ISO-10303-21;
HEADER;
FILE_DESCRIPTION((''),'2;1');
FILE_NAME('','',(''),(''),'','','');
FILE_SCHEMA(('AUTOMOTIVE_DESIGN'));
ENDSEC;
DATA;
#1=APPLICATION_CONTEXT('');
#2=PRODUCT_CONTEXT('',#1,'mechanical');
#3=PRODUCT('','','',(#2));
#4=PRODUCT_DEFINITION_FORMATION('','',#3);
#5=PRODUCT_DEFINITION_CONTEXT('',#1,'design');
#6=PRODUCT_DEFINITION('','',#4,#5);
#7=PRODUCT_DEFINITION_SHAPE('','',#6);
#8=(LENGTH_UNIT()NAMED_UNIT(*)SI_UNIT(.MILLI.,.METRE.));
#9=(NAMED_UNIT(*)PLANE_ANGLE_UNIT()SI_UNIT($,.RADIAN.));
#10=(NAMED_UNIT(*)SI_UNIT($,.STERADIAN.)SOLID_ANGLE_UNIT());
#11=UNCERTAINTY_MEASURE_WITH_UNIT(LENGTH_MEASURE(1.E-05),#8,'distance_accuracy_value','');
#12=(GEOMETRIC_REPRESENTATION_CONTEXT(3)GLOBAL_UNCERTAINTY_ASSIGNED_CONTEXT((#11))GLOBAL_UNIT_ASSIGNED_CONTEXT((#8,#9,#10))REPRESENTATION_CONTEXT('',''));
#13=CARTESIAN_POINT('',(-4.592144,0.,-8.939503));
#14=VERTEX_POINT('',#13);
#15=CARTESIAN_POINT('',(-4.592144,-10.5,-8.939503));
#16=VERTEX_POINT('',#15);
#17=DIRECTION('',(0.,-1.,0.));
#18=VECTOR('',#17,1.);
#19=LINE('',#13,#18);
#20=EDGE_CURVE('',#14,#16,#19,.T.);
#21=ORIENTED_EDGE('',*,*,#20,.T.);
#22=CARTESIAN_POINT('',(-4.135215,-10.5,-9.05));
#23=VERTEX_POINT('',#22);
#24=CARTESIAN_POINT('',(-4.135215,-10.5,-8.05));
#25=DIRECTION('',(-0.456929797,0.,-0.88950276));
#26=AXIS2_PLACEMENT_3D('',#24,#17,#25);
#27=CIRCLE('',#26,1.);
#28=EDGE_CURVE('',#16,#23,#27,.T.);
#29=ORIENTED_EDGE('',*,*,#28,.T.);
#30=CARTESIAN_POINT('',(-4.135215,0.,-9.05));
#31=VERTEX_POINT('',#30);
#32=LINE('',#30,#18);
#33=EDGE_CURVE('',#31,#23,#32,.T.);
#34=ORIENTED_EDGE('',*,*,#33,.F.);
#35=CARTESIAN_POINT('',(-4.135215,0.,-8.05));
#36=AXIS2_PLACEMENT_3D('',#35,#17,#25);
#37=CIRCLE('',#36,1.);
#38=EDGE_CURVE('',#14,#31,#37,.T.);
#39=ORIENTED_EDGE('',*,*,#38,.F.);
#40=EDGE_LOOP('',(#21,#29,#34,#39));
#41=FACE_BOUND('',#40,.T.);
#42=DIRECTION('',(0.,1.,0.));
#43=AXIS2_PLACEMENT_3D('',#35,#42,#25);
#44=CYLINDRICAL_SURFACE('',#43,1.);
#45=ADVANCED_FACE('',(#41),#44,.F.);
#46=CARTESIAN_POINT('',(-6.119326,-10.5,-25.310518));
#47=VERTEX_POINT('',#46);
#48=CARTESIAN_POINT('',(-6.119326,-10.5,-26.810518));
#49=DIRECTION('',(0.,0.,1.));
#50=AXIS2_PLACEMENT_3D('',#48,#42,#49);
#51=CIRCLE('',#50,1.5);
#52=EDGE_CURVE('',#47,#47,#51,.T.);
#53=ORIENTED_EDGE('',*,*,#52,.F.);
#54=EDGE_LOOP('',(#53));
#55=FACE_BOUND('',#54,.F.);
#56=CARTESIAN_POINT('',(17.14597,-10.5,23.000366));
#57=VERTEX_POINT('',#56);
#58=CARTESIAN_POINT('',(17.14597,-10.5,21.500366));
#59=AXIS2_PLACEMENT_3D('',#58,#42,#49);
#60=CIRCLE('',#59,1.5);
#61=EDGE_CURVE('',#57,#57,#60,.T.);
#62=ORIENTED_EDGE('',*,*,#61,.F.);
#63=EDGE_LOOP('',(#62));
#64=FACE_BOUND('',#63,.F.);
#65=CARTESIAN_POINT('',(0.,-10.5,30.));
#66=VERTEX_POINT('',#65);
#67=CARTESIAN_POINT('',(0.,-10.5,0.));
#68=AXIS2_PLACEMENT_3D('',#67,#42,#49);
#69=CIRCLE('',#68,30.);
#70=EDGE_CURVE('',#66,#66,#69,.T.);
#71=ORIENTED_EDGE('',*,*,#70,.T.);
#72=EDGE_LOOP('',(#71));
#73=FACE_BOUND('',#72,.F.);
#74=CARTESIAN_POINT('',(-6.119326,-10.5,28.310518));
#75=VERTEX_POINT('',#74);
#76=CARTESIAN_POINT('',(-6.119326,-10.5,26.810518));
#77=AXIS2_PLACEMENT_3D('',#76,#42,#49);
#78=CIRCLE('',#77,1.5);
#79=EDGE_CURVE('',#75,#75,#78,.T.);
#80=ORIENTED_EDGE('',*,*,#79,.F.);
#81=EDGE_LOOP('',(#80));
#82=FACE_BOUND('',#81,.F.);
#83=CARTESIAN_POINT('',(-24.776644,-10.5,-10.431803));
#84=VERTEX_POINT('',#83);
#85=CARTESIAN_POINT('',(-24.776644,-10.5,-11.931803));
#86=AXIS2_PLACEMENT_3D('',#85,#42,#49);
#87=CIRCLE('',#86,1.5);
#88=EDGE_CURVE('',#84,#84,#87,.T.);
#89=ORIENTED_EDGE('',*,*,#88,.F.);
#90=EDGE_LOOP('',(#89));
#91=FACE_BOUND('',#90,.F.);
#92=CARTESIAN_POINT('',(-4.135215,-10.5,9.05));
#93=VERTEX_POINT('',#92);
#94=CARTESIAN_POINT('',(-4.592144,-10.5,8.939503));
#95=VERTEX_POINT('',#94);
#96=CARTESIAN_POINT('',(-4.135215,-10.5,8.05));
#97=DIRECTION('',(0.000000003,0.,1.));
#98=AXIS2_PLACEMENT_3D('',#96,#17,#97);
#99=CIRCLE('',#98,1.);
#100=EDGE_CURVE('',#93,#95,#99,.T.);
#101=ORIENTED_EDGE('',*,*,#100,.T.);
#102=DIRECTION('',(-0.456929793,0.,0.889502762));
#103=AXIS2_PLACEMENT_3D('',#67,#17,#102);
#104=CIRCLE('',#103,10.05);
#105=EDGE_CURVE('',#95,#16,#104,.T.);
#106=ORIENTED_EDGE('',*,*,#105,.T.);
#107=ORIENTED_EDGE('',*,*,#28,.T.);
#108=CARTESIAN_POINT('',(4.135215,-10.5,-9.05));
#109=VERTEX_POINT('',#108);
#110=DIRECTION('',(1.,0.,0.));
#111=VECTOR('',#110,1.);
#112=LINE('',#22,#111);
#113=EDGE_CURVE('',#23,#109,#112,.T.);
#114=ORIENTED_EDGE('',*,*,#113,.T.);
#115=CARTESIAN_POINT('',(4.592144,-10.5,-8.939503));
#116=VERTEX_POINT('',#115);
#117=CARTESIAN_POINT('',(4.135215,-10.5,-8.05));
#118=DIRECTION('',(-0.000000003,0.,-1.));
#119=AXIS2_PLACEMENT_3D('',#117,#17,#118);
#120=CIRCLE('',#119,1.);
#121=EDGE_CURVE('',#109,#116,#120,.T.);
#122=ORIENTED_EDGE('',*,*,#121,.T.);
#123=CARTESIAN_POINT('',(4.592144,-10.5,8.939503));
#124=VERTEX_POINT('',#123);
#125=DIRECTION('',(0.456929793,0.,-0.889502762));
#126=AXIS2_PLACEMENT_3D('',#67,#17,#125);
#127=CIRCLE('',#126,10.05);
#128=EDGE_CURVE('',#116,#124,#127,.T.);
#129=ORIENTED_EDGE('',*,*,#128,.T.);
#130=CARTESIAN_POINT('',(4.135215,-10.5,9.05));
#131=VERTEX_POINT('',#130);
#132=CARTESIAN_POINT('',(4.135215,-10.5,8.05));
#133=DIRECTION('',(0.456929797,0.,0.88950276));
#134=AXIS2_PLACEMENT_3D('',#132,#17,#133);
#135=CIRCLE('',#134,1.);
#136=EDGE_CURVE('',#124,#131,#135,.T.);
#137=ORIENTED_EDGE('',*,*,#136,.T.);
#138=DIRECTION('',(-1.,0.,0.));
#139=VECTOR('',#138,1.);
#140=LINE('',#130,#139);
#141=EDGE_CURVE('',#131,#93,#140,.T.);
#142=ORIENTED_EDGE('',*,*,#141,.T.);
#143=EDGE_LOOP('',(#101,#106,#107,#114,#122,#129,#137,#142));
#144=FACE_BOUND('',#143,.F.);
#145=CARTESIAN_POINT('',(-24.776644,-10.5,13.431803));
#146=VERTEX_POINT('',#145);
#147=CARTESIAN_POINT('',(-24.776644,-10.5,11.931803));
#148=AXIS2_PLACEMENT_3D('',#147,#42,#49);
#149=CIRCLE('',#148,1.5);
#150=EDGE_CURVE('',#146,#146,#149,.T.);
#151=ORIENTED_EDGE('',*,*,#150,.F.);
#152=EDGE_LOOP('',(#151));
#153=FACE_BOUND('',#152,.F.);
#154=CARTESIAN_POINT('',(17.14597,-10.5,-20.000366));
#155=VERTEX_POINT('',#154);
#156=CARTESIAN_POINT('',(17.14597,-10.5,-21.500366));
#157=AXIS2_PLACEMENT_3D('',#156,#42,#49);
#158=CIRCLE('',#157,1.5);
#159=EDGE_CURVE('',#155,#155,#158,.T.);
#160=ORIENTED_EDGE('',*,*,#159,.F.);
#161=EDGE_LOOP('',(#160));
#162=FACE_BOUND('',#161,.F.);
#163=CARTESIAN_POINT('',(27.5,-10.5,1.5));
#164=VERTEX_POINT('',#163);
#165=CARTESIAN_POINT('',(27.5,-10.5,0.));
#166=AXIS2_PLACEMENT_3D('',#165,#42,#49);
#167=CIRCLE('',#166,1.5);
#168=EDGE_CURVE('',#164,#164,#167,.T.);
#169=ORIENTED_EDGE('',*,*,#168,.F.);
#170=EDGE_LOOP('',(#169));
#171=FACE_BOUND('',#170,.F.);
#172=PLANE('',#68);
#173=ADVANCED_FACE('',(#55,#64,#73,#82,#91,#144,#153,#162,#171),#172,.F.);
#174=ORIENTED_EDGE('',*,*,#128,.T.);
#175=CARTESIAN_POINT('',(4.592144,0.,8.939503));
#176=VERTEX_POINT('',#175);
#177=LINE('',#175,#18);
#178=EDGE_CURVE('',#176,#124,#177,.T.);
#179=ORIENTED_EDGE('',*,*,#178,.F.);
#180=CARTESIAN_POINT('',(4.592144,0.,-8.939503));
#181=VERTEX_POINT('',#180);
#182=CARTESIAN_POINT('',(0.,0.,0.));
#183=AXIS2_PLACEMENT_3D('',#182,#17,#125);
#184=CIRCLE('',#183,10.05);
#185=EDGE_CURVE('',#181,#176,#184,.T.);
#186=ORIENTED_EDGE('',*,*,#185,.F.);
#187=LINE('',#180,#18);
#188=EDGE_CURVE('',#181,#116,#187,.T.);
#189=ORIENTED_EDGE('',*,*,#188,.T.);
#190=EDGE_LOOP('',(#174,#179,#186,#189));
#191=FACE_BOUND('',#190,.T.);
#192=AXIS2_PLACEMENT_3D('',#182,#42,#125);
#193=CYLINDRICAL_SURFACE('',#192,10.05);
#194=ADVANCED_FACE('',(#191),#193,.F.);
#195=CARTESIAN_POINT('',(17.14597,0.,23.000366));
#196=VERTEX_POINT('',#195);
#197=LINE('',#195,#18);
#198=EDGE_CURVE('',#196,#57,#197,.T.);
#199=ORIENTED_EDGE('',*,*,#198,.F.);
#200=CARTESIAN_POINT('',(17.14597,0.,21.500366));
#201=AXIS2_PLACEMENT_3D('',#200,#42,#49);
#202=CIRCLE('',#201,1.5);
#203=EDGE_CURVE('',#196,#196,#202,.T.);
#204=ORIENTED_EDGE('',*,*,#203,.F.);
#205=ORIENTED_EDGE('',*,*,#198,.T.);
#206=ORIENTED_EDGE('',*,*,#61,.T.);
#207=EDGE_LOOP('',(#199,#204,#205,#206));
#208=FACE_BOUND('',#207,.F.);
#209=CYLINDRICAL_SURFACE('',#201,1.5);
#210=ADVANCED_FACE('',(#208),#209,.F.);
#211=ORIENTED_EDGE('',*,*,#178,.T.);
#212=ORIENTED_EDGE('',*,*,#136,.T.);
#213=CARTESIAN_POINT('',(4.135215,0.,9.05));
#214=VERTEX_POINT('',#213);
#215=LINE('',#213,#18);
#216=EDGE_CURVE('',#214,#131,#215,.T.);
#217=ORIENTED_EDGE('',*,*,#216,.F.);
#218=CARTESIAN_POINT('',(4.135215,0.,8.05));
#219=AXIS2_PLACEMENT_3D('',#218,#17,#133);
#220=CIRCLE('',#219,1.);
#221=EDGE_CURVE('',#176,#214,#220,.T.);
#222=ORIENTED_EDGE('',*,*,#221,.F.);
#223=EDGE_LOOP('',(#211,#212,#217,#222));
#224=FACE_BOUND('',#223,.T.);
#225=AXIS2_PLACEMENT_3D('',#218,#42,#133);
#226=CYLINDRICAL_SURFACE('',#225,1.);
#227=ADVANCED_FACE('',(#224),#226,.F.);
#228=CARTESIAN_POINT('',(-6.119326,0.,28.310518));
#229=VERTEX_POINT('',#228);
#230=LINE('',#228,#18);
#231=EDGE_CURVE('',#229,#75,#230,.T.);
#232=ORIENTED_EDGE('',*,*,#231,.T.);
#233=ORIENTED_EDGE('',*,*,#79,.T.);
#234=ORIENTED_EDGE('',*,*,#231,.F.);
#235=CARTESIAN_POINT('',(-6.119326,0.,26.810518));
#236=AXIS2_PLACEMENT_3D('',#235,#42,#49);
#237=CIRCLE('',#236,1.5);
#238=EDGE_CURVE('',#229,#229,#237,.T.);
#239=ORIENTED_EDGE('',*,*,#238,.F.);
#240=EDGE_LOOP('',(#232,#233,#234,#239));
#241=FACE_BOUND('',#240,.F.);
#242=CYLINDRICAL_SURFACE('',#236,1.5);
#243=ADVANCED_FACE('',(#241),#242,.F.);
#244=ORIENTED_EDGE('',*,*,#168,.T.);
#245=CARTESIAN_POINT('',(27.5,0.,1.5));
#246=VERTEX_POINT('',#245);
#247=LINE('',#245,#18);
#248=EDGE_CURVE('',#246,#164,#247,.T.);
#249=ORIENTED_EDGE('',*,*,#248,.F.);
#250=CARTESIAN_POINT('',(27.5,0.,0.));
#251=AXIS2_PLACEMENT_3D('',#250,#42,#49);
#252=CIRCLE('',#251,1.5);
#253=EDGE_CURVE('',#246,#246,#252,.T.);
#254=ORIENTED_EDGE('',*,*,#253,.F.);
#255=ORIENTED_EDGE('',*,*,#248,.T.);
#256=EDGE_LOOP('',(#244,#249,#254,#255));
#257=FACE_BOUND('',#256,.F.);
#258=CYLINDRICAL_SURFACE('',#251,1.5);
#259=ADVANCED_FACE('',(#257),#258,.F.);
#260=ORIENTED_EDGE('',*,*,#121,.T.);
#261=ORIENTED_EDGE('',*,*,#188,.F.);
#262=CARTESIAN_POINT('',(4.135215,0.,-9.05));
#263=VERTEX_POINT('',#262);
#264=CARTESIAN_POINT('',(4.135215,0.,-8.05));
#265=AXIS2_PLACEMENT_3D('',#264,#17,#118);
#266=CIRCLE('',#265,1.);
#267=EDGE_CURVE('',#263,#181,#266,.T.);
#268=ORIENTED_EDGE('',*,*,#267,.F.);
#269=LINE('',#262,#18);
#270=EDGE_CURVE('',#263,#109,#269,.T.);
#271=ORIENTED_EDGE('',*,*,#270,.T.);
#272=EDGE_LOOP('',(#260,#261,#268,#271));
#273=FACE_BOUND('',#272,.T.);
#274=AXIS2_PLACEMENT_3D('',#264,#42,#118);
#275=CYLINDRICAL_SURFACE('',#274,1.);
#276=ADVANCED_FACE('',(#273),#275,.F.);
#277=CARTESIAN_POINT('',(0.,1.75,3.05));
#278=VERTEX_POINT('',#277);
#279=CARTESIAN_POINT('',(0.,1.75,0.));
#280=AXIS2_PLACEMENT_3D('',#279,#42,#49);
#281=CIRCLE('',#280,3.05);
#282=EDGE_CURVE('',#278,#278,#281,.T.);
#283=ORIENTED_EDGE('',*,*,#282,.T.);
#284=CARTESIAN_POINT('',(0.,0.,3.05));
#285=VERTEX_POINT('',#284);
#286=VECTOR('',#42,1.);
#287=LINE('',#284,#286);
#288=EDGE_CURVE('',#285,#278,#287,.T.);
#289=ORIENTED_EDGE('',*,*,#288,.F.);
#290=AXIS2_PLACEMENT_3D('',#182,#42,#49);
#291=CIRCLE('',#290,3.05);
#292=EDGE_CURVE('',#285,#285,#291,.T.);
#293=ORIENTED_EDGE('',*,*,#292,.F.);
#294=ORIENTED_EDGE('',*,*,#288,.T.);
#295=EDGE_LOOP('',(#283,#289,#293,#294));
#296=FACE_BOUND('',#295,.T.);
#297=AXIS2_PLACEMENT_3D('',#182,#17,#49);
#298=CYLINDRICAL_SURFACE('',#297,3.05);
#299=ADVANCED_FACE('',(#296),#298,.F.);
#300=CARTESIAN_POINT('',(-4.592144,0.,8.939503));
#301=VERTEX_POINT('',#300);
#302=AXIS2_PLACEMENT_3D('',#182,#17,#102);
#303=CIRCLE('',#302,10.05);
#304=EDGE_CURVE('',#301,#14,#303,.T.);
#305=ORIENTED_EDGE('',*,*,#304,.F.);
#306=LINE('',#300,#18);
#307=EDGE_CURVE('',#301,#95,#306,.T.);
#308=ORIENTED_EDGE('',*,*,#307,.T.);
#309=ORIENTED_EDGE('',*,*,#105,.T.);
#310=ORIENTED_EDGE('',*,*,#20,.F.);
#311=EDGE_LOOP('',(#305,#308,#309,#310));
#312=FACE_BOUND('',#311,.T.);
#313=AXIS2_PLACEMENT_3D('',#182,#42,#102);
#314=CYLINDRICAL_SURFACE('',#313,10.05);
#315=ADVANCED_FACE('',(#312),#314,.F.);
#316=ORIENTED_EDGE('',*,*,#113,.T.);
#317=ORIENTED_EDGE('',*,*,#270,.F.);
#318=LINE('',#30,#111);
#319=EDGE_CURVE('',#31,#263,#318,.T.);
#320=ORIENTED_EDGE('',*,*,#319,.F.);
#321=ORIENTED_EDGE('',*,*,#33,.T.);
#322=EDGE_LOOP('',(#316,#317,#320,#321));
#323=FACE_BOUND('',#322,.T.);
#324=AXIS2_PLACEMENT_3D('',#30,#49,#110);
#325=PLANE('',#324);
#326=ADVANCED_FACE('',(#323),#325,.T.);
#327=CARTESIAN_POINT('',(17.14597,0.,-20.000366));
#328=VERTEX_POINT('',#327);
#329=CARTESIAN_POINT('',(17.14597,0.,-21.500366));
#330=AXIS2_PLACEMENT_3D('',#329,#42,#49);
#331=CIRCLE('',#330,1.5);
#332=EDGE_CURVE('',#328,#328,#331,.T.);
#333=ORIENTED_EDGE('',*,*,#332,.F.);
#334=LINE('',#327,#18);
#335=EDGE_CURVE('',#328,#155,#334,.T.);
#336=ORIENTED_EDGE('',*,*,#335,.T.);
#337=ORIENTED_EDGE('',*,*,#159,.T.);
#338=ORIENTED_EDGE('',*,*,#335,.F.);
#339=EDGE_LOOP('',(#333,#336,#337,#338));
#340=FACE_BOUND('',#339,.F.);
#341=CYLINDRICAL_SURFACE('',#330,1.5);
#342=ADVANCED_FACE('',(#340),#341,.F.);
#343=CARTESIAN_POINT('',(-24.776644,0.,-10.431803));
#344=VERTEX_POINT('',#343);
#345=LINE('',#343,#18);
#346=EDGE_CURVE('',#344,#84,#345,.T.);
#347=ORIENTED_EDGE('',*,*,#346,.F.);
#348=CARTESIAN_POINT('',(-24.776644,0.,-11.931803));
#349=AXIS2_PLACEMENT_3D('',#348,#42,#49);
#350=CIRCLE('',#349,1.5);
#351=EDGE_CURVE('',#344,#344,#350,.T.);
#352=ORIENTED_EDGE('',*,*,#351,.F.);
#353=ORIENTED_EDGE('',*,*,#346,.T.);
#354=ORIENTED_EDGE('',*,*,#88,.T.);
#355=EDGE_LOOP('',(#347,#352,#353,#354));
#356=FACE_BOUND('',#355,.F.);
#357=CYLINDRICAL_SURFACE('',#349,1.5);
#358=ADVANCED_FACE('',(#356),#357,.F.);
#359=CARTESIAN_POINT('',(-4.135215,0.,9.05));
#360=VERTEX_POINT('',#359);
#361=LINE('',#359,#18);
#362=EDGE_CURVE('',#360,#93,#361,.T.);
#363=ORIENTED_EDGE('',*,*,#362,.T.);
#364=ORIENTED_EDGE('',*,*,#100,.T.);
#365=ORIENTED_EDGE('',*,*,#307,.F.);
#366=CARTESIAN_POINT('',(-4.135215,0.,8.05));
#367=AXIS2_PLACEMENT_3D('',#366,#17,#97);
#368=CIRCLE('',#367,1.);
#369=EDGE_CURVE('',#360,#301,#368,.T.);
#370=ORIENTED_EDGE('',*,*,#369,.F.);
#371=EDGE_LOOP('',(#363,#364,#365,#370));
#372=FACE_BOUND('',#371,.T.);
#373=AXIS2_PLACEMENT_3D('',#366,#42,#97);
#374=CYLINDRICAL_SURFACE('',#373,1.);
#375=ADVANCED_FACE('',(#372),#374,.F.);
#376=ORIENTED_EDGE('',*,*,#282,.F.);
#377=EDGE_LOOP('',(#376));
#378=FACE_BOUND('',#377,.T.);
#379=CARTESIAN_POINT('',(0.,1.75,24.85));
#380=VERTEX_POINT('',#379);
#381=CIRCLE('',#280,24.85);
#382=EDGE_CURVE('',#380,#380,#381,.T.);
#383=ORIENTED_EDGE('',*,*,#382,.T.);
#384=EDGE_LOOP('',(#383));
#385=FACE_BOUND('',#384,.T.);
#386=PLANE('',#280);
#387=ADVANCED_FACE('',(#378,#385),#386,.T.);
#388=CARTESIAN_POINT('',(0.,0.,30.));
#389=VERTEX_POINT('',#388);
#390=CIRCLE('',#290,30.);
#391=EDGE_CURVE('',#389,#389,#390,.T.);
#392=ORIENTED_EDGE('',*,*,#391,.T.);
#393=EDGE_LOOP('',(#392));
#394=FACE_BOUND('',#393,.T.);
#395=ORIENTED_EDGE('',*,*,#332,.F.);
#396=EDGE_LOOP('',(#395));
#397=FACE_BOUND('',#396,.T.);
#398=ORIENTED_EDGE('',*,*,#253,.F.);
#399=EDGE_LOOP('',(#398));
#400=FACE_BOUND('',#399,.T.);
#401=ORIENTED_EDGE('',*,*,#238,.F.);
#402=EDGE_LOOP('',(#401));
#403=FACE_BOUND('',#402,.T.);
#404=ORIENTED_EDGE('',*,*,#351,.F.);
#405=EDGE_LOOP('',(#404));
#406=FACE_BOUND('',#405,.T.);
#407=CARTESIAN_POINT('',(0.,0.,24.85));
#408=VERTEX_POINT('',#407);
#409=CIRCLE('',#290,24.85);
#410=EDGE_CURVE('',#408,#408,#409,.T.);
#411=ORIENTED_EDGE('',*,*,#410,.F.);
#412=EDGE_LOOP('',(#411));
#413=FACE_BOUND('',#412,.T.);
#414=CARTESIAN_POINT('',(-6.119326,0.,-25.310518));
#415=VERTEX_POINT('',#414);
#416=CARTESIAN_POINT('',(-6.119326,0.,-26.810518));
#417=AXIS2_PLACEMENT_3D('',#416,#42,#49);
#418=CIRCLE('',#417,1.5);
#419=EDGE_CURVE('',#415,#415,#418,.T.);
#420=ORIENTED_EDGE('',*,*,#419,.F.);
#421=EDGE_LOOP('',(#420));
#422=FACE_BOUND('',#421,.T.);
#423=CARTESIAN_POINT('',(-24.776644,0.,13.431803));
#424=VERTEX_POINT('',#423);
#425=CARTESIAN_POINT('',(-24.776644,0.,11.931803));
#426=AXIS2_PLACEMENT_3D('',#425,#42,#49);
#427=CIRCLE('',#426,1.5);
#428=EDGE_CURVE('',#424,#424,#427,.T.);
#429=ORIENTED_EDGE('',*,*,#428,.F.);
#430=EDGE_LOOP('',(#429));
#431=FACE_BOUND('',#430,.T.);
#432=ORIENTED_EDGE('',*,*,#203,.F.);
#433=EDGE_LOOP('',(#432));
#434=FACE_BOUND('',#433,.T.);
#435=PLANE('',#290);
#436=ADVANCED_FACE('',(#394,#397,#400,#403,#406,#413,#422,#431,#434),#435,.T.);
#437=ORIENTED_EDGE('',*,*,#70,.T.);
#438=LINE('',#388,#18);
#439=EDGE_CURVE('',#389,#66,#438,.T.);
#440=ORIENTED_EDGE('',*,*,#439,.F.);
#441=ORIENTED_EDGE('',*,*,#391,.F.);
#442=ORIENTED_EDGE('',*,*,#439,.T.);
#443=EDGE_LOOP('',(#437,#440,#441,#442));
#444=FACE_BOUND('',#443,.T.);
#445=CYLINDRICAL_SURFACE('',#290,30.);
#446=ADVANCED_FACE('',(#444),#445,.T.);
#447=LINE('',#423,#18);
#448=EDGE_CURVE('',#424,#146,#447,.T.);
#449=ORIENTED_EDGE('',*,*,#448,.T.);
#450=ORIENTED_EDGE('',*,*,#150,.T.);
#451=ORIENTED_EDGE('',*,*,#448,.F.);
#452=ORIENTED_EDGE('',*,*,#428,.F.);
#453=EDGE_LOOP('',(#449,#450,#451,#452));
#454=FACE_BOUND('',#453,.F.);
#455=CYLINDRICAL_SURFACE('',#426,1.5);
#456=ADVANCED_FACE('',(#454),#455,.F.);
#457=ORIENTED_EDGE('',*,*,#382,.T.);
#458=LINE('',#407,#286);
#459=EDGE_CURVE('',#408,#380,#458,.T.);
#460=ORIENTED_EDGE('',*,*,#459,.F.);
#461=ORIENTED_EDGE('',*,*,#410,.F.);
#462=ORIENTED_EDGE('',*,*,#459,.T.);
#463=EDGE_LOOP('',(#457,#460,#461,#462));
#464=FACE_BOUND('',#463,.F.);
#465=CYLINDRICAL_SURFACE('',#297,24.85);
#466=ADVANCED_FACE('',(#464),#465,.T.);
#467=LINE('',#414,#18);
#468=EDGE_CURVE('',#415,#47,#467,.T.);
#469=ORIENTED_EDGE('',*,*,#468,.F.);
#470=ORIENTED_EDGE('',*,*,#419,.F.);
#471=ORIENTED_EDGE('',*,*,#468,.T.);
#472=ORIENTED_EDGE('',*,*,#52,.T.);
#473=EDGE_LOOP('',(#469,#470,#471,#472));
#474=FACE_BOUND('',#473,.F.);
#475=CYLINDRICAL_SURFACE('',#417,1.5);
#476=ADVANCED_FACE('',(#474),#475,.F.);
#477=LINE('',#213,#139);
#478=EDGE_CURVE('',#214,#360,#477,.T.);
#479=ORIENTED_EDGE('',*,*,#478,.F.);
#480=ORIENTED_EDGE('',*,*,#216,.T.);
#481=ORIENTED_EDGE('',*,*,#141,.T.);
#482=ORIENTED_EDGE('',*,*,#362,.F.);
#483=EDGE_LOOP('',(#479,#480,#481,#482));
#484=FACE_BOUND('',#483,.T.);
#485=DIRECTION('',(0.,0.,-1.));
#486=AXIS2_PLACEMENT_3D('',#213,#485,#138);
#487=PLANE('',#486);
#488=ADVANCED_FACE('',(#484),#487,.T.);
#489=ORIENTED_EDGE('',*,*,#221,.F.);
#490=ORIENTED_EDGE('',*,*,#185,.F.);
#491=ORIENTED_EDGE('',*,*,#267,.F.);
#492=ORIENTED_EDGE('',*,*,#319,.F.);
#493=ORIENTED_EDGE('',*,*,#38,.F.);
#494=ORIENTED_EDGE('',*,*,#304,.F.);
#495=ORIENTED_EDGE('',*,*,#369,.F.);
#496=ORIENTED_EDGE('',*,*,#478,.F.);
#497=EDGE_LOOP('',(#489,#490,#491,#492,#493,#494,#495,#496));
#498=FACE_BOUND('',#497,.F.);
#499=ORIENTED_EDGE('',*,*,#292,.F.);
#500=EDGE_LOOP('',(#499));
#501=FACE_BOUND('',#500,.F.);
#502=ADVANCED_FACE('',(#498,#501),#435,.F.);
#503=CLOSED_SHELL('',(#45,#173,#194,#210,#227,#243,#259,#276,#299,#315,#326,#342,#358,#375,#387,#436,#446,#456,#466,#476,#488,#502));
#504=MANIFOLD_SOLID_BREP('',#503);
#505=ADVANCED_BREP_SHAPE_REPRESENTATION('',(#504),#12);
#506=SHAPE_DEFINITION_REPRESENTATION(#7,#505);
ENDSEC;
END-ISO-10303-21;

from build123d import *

# Parameters (mm, degrees)
CROQUIS1_R              = 24.85
CROQUIS1_R_2            = 3.05
SALIENTE_EXTRUIR1_DEPTH = 1.75
CROQUIS2_R              = 30
SALIENTE_EXTRUIR2_DEPTH = 10.5
CROQUIS3_R              = 1.5
CORTAR_EXTRUIR1_DEPTH   = 44.706406853


with BuildPart() as part:
    # Croquis1 → Saliente-Extruir1 (new body)
    with BuildSketch(Plane(origin=(0, 0, 0), x_dir=(1, 0, 0), z_dir=(0, 1, 0))):
        with Locations(Location((0, 0, 0), (0, 0, 270))):
            Circle(CROQUIS1_R)
        with Locations(Location((0, 0, 0), (0, 0, 270))):
            Circle(CROQUIS1_R_2, mode=Mode.SUBTRACT)
    extrude(amount=SALIENTE_EXTRUIR1_DEPTH)

    # Croquis2 → Saliente-Extruir2 (add)
    with BuildSketch(Plane(origin=(0, 0, 0), x_dir=(1, 0, 0), z_dir=(0, 1, 0))):
        with Locations(Location((0, 0, 0), (0, 0, 270))):
            Circle(CROQUIS2_R)
        with BuildLine():
            Line((-4.135214626, 9.05), (4.135214626, 9.05))
            ThreePointArc((4.135214626, 9.05), (4.370264873, 9.021983221), (4.592144419, 8.939502762))
            ThreePointArc((4.592144419, 8.939502762), (10.05, 0), (4.592144419, -8.939502762))
            ThreePointArc((4.592144419, -8.939502762), (4.370264873, -9.021983221), (4.135214626, -9.05))
            Line((4.135214626, -9.05), (-4.135214626, -9.05))
            ThreePointArc((-4.135214626, -9.05), (-4.370264873, -9.021983221), (-4.592144419, -8.939502762))
            ThreePointArc((-4.592144419, -8.939502762), (-10.05, 0), (-4.592144419, 8.939502762))
            ThreePointArc((-4.592144419, 8.939502762), (-4.370264873, 9.021983221), (-4.135214626, 9.05))
        make_face(mode=Mode.SUBTRACT)
    extrude(amount=-SALIENTE_EXTRUIR2_DEPTH)

    # Croquis3 → Cortar-Extruir1 (cut, through all)
    with BuildSketch(Plane(origin=(0, 0, 0), x_dir=(1, 0, 0), z_dir=(0, 1, 0))):
        with Locations(Location((27.5, 0, 0), (0, 0, 270))):
            Circle(CROQUIS3_R)
        with Locations(Location((17.145969551, -21.500365768, 0), (0, 0, 270))):
            Circle(CROQUIS3_R)
        with Locations(Location((-6.119325684, -26.810517585, 0), (0, 0, 270))):
            Circle(CROQUIS3_R)
        with Locations(Location((-24.776643867, -11.931802826, 0), (0, 0, 270))):
            Circle(CROQUIS3_R)
        with Locations(Location((-24.776643867, 11.931802826, 0), (0, 0, 270))):
            Circle(CROQUIS3_R)
        with Locations(Location((-6.119325684, 26.810517585, 0), (0, 0, 270))):
            Circle(CROQUIS3_R)
        with Locations(Location((17.145969551, 21.500365768, 0), (0, 0, 270))):
            Circle(CROQUIS3_R)
    extrude(amount=-CORTAR_EXTRUIR1_DEPTH, mode=Mode.SUBTRACT)


solid = part.part
